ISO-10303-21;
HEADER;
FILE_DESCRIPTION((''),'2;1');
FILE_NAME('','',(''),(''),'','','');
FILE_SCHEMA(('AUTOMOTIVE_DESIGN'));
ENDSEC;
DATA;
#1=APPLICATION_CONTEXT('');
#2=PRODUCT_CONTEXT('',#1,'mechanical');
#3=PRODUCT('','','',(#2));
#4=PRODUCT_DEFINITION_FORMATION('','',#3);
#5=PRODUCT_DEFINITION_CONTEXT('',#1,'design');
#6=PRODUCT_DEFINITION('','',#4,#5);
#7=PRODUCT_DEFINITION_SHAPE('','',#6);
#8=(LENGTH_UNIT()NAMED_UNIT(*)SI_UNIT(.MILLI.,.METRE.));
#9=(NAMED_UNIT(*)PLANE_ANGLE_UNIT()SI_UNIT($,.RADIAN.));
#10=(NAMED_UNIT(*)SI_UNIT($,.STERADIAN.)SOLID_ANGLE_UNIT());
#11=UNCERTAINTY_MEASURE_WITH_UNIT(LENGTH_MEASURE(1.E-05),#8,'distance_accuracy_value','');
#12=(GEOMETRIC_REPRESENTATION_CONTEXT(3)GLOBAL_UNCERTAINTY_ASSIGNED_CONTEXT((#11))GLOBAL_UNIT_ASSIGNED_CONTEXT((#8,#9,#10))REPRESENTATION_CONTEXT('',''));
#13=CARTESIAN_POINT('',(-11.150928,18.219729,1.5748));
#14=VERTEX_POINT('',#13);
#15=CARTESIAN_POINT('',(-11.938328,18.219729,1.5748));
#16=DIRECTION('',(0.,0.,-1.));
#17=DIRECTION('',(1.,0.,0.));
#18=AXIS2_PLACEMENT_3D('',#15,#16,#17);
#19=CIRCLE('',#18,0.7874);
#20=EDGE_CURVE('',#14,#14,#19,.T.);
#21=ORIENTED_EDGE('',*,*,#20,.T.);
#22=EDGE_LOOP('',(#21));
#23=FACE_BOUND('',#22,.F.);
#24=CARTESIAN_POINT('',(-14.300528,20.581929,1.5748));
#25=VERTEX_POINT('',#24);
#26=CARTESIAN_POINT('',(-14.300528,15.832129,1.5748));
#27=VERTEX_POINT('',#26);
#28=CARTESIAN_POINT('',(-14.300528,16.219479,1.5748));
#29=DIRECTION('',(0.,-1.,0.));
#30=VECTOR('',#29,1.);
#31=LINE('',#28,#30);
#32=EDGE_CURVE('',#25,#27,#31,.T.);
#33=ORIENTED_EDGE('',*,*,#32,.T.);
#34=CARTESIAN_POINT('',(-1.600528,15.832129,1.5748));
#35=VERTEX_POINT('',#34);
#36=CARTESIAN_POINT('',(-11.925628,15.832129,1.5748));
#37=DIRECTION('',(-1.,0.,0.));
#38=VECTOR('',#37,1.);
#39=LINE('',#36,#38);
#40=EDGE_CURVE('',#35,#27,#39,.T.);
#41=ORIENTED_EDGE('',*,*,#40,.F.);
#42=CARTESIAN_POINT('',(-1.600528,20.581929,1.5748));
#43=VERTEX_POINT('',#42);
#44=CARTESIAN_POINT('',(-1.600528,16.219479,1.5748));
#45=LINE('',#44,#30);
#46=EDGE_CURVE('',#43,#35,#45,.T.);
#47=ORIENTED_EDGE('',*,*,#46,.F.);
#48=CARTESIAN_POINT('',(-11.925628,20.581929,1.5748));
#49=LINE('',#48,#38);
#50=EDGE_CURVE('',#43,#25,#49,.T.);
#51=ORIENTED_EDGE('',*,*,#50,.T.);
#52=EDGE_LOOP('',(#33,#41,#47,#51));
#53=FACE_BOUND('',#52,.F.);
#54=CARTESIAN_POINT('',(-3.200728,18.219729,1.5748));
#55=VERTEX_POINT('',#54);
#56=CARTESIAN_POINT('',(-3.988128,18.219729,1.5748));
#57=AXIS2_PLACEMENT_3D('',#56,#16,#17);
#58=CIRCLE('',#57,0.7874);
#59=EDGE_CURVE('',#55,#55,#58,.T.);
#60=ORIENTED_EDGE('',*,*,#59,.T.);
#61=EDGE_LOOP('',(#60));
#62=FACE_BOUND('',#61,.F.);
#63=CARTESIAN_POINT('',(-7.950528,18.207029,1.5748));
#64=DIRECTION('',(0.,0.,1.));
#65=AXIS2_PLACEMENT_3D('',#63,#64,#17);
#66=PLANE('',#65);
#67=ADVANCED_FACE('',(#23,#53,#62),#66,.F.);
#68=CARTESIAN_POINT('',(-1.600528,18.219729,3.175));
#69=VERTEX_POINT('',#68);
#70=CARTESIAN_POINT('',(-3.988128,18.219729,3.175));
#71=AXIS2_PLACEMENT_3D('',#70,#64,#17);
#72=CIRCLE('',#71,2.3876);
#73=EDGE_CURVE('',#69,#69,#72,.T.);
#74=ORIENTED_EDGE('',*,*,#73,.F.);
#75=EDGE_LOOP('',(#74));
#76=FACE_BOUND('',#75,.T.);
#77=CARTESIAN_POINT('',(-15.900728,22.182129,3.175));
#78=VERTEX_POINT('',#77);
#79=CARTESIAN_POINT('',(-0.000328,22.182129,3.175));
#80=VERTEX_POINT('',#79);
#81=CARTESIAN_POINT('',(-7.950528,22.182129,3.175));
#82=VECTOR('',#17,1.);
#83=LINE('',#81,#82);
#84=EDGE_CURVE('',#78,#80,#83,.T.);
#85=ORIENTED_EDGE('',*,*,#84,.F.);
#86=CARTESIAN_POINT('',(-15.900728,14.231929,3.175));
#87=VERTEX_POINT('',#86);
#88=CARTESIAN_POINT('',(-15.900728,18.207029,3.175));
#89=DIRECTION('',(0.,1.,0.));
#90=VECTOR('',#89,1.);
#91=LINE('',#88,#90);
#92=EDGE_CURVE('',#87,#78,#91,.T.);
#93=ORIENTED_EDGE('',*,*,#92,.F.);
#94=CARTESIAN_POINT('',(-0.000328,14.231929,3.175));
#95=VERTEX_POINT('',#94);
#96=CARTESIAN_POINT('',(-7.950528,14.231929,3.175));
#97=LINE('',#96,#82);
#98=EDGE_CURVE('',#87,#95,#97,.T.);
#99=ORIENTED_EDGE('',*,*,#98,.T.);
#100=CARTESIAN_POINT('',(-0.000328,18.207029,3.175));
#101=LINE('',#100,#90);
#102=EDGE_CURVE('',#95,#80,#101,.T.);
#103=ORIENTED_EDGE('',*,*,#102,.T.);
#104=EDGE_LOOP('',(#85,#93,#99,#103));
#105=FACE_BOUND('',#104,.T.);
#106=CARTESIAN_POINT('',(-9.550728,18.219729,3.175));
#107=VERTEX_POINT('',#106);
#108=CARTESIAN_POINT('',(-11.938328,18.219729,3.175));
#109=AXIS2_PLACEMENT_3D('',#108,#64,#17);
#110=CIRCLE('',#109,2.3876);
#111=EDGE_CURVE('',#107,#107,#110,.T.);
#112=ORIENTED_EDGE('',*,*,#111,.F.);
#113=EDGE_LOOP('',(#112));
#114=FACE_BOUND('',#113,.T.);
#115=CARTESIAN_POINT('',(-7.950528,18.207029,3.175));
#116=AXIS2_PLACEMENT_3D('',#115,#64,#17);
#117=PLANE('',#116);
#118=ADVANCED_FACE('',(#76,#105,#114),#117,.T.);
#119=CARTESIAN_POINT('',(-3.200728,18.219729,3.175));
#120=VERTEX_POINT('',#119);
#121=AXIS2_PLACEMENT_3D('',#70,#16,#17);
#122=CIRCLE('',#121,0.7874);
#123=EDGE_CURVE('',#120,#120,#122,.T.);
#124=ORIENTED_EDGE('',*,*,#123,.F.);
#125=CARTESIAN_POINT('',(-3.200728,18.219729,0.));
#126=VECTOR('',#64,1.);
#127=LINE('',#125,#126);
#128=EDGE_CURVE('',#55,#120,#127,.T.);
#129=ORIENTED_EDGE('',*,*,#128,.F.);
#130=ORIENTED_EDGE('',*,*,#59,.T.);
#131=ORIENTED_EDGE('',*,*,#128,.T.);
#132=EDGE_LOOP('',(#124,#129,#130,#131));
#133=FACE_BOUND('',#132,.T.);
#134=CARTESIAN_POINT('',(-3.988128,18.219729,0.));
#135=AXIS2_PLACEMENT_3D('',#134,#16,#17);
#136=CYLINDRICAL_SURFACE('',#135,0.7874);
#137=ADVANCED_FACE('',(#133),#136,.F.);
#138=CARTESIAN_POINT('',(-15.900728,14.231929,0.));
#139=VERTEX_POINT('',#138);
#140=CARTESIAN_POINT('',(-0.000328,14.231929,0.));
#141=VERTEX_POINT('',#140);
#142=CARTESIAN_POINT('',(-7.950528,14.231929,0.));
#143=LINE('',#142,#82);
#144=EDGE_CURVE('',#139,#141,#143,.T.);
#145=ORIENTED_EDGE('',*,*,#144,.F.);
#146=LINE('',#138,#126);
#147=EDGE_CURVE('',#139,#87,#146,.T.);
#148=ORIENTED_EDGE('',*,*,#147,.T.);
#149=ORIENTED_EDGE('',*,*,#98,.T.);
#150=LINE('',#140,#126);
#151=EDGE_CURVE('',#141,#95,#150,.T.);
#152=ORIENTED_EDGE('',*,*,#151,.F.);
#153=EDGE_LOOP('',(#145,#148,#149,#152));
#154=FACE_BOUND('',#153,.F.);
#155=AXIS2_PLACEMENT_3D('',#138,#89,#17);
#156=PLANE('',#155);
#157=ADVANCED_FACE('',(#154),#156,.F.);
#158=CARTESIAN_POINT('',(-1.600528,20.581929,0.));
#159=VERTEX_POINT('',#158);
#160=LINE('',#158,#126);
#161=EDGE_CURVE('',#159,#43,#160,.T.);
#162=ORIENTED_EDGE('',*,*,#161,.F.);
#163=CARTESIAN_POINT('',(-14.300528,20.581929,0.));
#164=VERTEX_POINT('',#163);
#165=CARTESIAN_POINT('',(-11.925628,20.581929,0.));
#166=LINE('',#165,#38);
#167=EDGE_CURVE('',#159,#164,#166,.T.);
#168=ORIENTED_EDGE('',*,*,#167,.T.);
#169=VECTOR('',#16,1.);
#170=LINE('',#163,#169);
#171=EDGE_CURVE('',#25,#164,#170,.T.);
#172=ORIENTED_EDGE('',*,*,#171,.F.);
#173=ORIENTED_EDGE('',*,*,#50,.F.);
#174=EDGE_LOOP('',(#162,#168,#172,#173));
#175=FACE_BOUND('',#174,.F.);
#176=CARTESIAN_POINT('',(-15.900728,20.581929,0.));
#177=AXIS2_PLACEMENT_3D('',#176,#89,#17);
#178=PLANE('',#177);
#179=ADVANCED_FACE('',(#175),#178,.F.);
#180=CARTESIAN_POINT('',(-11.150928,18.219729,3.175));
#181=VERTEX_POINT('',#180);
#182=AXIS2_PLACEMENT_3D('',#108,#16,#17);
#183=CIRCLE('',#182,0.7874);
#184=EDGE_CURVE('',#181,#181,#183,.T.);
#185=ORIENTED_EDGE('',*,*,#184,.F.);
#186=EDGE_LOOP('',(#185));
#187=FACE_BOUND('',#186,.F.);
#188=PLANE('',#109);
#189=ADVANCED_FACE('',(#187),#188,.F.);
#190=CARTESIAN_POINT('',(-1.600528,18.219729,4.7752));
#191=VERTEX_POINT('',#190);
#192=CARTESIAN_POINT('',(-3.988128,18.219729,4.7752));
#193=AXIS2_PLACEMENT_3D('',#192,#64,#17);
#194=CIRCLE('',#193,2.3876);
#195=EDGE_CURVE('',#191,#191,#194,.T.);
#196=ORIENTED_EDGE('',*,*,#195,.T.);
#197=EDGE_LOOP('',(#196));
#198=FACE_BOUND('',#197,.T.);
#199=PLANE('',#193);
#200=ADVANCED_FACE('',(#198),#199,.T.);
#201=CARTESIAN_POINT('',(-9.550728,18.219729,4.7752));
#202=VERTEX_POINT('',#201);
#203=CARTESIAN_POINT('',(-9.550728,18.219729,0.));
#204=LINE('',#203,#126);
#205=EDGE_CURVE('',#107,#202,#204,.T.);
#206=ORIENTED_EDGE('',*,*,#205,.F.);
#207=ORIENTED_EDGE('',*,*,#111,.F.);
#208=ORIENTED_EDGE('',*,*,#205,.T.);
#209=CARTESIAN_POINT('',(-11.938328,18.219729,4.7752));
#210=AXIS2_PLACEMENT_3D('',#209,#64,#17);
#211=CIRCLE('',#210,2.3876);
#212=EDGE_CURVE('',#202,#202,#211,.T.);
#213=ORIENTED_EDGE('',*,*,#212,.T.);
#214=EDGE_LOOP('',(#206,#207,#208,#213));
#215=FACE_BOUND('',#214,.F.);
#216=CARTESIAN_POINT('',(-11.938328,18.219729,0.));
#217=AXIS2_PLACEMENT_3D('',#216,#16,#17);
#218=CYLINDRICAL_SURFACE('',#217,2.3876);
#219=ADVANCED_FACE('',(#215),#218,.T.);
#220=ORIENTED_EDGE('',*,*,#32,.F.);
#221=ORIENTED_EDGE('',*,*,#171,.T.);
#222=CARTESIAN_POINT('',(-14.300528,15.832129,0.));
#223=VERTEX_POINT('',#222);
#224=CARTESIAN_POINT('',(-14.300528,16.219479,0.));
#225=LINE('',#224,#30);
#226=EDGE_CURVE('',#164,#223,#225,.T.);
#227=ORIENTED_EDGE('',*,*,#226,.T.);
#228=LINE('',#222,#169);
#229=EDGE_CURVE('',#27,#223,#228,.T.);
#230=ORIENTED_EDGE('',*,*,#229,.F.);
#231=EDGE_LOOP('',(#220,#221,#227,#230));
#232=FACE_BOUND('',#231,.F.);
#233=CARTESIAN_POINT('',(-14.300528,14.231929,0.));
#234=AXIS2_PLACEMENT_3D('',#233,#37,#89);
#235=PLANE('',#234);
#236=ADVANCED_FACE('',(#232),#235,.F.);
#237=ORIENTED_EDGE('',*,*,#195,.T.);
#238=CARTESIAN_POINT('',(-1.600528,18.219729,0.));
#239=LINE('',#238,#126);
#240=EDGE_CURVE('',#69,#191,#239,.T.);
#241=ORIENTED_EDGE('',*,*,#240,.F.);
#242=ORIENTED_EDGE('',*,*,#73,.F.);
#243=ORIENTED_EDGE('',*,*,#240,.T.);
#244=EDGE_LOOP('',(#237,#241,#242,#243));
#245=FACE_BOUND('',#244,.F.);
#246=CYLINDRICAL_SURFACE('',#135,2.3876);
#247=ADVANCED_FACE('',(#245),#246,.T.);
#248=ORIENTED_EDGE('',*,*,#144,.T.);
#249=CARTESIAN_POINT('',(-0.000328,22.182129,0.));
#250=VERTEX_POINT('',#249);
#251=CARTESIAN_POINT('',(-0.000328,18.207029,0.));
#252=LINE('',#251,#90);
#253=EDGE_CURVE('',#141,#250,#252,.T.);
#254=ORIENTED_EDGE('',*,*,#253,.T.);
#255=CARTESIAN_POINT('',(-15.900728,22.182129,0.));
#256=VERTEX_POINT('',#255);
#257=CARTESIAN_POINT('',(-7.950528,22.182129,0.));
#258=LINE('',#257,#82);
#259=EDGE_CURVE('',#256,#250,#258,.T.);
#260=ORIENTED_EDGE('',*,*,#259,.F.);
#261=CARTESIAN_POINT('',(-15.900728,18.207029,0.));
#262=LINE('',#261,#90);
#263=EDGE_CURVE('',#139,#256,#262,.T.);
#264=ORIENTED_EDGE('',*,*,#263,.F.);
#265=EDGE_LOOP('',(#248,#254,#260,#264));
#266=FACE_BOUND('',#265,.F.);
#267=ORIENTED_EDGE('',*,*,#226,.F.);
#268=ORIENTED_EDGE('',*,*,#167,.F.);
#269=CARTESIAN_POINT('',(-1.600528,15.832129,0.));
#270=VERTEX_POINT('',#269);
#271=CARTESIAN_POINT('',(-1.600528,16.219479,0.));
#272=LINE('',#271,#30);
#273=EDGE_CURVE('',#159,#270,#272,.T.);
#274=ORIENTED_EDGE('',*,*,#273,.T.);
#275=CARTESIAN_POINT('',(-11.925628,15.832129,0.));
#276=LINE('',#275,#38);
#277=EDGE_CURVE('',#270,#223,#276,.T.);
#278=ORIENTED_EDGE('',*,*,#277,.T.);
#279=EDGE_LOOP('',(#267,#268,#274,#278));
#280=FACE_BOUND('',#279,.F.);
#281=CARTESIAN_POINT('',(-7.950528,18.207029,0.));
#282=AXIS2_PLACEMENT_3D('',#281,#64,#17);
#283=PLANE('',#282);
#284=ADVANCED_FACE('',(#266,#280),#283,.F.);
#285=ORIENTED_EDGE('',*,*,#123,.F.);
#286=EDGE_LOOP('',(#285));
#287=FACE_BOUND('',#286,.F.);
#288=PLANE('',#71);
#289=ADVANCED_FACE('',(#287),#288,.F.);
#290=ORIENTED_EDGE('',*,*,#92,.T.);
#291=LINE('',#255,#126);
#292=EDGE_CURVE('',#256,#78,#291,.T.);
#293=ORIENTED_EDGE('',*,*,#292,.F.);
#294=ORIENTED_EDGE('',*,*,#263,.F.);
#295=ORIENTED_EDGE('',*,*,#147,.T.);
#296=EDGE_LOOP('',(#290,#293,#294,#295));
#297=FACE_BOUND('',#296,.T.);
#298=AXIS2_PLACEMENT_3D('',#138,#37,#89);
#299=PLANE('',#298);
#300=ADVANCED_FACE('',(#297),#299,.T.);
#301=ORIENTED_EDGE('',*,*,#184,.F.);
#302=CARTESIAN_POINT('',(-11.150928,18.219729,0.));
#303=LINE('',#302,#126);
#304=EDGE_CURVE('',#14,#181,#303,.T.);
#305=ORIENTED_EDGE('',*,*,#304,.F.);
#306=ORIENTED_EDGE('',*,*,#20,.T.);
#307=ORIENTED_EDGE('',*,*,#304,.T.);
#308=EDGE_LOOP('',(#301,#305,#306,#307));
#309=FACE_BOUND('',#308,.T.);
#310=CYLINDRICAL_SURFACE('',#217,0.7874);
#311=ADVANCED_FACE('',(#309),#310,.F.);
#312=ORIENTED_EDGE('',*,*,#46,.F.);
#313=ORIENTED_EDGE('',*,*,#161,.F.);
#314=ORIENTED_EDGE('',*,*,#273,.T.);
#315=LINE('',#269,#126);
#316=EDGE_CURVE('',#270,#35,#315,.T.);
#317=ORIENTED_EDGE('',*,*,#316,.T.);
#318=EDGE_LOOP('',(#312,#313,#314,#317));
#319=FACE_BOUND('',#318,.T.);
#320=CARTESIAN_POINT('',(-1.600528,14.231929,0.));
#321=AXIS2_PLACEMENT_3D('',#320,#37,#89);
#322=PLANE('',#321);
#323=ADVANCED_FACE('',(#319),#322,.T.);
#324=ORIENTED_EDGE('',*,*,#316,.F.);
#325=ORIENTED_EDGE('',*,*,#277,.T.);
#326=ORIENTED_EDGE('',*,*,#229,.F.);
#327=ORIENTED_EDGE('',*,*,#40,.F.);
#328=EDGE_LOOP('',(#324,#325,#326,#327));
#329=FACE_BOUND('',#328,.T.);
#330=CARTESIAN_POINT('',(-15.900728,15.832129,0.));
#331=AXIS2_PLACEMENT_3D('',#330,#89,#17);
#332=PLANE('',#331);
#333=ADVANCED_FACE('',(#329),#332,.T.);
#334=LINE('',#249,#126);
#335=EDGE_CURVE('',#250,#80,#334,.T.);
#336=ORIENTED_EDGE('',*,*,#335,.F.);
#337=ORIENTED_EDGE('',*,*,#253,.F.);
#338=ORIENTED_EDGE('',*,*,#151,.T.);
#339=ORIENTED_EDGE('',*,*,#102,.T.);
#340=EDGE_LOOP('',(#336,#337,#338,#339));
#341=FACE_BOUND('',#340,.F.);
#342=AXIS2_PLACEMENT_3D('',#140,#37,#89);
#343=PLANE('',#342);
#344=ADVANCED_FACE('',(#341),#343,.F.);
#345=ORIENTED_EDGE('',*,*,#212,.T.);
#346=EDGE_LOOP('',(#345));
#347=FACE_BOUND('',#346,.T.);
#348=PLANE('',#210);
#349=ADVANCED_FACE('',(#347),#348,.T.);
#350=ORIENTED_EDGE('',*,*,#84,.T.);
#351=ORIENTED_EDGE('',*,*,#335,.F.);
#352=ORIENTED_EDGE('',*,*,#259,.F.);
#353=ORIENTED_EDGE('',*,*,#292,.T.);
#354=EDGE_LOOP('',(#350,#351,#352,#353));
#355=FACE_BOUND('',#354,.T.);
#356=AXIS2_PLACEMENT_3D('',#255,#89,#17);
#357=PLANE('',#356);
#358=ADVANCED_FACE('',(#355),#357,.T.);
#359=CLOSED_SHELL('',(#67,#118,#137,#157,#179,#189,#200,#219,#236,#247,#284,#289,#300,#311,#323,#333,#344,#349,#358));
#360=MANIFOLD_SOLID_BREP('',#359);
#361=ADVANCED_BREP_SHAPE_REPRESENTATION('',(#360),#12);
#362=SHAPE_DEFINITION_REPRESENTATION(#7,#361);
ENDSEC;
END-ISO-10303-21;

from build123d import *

# Parameters (mm, degrees)
F0_W     = 15.9004
F0_H     = 7.9502
F0_R     = 2.3876
F1_DEPTH = 3.175
F2_DEPTH = 4.7752
F3_T     = -1.6002


with BuildPart() as f1:
    # F0 (on Top) → F1 (new body)
    with BuildSketch(Plane.XY):
        with Locations((-7.9505280386, 18.2070285082)):
            Rectangle(F0_W, F0_H)
        with Locations((-11.9383280386, 18.2197285082)):
            Circle(F0_R, mode=Mode.SUBTRACT)
        with Locations((-3.9881280386, 18.2197285082)):
            Circle(F0_R, mode=Mode.SUBTRACT)
    extrude(amount=F1_DEPTH)

    # F0 (on Top) → F2 (join)
    with BuildSketch(Plane.XY):
        with Locations((-11.9383280386, 18.2197285082)):
            Circle(F0_R)
        with Locations((-3.9881280386, 18.2197285082)):
            Circle(F0_R)
    extrude(amount=F2_DEPTH)

    # F3
    f3_openings = [f1.faces().sort_by_distance(p)[0] for p in [
        (-7.950528, 18.207029, 0),
    ]]
    offset(amount=F3_T, openings=f3_openings, kind=Kind.INTERSECTION)


solid = f1.part
